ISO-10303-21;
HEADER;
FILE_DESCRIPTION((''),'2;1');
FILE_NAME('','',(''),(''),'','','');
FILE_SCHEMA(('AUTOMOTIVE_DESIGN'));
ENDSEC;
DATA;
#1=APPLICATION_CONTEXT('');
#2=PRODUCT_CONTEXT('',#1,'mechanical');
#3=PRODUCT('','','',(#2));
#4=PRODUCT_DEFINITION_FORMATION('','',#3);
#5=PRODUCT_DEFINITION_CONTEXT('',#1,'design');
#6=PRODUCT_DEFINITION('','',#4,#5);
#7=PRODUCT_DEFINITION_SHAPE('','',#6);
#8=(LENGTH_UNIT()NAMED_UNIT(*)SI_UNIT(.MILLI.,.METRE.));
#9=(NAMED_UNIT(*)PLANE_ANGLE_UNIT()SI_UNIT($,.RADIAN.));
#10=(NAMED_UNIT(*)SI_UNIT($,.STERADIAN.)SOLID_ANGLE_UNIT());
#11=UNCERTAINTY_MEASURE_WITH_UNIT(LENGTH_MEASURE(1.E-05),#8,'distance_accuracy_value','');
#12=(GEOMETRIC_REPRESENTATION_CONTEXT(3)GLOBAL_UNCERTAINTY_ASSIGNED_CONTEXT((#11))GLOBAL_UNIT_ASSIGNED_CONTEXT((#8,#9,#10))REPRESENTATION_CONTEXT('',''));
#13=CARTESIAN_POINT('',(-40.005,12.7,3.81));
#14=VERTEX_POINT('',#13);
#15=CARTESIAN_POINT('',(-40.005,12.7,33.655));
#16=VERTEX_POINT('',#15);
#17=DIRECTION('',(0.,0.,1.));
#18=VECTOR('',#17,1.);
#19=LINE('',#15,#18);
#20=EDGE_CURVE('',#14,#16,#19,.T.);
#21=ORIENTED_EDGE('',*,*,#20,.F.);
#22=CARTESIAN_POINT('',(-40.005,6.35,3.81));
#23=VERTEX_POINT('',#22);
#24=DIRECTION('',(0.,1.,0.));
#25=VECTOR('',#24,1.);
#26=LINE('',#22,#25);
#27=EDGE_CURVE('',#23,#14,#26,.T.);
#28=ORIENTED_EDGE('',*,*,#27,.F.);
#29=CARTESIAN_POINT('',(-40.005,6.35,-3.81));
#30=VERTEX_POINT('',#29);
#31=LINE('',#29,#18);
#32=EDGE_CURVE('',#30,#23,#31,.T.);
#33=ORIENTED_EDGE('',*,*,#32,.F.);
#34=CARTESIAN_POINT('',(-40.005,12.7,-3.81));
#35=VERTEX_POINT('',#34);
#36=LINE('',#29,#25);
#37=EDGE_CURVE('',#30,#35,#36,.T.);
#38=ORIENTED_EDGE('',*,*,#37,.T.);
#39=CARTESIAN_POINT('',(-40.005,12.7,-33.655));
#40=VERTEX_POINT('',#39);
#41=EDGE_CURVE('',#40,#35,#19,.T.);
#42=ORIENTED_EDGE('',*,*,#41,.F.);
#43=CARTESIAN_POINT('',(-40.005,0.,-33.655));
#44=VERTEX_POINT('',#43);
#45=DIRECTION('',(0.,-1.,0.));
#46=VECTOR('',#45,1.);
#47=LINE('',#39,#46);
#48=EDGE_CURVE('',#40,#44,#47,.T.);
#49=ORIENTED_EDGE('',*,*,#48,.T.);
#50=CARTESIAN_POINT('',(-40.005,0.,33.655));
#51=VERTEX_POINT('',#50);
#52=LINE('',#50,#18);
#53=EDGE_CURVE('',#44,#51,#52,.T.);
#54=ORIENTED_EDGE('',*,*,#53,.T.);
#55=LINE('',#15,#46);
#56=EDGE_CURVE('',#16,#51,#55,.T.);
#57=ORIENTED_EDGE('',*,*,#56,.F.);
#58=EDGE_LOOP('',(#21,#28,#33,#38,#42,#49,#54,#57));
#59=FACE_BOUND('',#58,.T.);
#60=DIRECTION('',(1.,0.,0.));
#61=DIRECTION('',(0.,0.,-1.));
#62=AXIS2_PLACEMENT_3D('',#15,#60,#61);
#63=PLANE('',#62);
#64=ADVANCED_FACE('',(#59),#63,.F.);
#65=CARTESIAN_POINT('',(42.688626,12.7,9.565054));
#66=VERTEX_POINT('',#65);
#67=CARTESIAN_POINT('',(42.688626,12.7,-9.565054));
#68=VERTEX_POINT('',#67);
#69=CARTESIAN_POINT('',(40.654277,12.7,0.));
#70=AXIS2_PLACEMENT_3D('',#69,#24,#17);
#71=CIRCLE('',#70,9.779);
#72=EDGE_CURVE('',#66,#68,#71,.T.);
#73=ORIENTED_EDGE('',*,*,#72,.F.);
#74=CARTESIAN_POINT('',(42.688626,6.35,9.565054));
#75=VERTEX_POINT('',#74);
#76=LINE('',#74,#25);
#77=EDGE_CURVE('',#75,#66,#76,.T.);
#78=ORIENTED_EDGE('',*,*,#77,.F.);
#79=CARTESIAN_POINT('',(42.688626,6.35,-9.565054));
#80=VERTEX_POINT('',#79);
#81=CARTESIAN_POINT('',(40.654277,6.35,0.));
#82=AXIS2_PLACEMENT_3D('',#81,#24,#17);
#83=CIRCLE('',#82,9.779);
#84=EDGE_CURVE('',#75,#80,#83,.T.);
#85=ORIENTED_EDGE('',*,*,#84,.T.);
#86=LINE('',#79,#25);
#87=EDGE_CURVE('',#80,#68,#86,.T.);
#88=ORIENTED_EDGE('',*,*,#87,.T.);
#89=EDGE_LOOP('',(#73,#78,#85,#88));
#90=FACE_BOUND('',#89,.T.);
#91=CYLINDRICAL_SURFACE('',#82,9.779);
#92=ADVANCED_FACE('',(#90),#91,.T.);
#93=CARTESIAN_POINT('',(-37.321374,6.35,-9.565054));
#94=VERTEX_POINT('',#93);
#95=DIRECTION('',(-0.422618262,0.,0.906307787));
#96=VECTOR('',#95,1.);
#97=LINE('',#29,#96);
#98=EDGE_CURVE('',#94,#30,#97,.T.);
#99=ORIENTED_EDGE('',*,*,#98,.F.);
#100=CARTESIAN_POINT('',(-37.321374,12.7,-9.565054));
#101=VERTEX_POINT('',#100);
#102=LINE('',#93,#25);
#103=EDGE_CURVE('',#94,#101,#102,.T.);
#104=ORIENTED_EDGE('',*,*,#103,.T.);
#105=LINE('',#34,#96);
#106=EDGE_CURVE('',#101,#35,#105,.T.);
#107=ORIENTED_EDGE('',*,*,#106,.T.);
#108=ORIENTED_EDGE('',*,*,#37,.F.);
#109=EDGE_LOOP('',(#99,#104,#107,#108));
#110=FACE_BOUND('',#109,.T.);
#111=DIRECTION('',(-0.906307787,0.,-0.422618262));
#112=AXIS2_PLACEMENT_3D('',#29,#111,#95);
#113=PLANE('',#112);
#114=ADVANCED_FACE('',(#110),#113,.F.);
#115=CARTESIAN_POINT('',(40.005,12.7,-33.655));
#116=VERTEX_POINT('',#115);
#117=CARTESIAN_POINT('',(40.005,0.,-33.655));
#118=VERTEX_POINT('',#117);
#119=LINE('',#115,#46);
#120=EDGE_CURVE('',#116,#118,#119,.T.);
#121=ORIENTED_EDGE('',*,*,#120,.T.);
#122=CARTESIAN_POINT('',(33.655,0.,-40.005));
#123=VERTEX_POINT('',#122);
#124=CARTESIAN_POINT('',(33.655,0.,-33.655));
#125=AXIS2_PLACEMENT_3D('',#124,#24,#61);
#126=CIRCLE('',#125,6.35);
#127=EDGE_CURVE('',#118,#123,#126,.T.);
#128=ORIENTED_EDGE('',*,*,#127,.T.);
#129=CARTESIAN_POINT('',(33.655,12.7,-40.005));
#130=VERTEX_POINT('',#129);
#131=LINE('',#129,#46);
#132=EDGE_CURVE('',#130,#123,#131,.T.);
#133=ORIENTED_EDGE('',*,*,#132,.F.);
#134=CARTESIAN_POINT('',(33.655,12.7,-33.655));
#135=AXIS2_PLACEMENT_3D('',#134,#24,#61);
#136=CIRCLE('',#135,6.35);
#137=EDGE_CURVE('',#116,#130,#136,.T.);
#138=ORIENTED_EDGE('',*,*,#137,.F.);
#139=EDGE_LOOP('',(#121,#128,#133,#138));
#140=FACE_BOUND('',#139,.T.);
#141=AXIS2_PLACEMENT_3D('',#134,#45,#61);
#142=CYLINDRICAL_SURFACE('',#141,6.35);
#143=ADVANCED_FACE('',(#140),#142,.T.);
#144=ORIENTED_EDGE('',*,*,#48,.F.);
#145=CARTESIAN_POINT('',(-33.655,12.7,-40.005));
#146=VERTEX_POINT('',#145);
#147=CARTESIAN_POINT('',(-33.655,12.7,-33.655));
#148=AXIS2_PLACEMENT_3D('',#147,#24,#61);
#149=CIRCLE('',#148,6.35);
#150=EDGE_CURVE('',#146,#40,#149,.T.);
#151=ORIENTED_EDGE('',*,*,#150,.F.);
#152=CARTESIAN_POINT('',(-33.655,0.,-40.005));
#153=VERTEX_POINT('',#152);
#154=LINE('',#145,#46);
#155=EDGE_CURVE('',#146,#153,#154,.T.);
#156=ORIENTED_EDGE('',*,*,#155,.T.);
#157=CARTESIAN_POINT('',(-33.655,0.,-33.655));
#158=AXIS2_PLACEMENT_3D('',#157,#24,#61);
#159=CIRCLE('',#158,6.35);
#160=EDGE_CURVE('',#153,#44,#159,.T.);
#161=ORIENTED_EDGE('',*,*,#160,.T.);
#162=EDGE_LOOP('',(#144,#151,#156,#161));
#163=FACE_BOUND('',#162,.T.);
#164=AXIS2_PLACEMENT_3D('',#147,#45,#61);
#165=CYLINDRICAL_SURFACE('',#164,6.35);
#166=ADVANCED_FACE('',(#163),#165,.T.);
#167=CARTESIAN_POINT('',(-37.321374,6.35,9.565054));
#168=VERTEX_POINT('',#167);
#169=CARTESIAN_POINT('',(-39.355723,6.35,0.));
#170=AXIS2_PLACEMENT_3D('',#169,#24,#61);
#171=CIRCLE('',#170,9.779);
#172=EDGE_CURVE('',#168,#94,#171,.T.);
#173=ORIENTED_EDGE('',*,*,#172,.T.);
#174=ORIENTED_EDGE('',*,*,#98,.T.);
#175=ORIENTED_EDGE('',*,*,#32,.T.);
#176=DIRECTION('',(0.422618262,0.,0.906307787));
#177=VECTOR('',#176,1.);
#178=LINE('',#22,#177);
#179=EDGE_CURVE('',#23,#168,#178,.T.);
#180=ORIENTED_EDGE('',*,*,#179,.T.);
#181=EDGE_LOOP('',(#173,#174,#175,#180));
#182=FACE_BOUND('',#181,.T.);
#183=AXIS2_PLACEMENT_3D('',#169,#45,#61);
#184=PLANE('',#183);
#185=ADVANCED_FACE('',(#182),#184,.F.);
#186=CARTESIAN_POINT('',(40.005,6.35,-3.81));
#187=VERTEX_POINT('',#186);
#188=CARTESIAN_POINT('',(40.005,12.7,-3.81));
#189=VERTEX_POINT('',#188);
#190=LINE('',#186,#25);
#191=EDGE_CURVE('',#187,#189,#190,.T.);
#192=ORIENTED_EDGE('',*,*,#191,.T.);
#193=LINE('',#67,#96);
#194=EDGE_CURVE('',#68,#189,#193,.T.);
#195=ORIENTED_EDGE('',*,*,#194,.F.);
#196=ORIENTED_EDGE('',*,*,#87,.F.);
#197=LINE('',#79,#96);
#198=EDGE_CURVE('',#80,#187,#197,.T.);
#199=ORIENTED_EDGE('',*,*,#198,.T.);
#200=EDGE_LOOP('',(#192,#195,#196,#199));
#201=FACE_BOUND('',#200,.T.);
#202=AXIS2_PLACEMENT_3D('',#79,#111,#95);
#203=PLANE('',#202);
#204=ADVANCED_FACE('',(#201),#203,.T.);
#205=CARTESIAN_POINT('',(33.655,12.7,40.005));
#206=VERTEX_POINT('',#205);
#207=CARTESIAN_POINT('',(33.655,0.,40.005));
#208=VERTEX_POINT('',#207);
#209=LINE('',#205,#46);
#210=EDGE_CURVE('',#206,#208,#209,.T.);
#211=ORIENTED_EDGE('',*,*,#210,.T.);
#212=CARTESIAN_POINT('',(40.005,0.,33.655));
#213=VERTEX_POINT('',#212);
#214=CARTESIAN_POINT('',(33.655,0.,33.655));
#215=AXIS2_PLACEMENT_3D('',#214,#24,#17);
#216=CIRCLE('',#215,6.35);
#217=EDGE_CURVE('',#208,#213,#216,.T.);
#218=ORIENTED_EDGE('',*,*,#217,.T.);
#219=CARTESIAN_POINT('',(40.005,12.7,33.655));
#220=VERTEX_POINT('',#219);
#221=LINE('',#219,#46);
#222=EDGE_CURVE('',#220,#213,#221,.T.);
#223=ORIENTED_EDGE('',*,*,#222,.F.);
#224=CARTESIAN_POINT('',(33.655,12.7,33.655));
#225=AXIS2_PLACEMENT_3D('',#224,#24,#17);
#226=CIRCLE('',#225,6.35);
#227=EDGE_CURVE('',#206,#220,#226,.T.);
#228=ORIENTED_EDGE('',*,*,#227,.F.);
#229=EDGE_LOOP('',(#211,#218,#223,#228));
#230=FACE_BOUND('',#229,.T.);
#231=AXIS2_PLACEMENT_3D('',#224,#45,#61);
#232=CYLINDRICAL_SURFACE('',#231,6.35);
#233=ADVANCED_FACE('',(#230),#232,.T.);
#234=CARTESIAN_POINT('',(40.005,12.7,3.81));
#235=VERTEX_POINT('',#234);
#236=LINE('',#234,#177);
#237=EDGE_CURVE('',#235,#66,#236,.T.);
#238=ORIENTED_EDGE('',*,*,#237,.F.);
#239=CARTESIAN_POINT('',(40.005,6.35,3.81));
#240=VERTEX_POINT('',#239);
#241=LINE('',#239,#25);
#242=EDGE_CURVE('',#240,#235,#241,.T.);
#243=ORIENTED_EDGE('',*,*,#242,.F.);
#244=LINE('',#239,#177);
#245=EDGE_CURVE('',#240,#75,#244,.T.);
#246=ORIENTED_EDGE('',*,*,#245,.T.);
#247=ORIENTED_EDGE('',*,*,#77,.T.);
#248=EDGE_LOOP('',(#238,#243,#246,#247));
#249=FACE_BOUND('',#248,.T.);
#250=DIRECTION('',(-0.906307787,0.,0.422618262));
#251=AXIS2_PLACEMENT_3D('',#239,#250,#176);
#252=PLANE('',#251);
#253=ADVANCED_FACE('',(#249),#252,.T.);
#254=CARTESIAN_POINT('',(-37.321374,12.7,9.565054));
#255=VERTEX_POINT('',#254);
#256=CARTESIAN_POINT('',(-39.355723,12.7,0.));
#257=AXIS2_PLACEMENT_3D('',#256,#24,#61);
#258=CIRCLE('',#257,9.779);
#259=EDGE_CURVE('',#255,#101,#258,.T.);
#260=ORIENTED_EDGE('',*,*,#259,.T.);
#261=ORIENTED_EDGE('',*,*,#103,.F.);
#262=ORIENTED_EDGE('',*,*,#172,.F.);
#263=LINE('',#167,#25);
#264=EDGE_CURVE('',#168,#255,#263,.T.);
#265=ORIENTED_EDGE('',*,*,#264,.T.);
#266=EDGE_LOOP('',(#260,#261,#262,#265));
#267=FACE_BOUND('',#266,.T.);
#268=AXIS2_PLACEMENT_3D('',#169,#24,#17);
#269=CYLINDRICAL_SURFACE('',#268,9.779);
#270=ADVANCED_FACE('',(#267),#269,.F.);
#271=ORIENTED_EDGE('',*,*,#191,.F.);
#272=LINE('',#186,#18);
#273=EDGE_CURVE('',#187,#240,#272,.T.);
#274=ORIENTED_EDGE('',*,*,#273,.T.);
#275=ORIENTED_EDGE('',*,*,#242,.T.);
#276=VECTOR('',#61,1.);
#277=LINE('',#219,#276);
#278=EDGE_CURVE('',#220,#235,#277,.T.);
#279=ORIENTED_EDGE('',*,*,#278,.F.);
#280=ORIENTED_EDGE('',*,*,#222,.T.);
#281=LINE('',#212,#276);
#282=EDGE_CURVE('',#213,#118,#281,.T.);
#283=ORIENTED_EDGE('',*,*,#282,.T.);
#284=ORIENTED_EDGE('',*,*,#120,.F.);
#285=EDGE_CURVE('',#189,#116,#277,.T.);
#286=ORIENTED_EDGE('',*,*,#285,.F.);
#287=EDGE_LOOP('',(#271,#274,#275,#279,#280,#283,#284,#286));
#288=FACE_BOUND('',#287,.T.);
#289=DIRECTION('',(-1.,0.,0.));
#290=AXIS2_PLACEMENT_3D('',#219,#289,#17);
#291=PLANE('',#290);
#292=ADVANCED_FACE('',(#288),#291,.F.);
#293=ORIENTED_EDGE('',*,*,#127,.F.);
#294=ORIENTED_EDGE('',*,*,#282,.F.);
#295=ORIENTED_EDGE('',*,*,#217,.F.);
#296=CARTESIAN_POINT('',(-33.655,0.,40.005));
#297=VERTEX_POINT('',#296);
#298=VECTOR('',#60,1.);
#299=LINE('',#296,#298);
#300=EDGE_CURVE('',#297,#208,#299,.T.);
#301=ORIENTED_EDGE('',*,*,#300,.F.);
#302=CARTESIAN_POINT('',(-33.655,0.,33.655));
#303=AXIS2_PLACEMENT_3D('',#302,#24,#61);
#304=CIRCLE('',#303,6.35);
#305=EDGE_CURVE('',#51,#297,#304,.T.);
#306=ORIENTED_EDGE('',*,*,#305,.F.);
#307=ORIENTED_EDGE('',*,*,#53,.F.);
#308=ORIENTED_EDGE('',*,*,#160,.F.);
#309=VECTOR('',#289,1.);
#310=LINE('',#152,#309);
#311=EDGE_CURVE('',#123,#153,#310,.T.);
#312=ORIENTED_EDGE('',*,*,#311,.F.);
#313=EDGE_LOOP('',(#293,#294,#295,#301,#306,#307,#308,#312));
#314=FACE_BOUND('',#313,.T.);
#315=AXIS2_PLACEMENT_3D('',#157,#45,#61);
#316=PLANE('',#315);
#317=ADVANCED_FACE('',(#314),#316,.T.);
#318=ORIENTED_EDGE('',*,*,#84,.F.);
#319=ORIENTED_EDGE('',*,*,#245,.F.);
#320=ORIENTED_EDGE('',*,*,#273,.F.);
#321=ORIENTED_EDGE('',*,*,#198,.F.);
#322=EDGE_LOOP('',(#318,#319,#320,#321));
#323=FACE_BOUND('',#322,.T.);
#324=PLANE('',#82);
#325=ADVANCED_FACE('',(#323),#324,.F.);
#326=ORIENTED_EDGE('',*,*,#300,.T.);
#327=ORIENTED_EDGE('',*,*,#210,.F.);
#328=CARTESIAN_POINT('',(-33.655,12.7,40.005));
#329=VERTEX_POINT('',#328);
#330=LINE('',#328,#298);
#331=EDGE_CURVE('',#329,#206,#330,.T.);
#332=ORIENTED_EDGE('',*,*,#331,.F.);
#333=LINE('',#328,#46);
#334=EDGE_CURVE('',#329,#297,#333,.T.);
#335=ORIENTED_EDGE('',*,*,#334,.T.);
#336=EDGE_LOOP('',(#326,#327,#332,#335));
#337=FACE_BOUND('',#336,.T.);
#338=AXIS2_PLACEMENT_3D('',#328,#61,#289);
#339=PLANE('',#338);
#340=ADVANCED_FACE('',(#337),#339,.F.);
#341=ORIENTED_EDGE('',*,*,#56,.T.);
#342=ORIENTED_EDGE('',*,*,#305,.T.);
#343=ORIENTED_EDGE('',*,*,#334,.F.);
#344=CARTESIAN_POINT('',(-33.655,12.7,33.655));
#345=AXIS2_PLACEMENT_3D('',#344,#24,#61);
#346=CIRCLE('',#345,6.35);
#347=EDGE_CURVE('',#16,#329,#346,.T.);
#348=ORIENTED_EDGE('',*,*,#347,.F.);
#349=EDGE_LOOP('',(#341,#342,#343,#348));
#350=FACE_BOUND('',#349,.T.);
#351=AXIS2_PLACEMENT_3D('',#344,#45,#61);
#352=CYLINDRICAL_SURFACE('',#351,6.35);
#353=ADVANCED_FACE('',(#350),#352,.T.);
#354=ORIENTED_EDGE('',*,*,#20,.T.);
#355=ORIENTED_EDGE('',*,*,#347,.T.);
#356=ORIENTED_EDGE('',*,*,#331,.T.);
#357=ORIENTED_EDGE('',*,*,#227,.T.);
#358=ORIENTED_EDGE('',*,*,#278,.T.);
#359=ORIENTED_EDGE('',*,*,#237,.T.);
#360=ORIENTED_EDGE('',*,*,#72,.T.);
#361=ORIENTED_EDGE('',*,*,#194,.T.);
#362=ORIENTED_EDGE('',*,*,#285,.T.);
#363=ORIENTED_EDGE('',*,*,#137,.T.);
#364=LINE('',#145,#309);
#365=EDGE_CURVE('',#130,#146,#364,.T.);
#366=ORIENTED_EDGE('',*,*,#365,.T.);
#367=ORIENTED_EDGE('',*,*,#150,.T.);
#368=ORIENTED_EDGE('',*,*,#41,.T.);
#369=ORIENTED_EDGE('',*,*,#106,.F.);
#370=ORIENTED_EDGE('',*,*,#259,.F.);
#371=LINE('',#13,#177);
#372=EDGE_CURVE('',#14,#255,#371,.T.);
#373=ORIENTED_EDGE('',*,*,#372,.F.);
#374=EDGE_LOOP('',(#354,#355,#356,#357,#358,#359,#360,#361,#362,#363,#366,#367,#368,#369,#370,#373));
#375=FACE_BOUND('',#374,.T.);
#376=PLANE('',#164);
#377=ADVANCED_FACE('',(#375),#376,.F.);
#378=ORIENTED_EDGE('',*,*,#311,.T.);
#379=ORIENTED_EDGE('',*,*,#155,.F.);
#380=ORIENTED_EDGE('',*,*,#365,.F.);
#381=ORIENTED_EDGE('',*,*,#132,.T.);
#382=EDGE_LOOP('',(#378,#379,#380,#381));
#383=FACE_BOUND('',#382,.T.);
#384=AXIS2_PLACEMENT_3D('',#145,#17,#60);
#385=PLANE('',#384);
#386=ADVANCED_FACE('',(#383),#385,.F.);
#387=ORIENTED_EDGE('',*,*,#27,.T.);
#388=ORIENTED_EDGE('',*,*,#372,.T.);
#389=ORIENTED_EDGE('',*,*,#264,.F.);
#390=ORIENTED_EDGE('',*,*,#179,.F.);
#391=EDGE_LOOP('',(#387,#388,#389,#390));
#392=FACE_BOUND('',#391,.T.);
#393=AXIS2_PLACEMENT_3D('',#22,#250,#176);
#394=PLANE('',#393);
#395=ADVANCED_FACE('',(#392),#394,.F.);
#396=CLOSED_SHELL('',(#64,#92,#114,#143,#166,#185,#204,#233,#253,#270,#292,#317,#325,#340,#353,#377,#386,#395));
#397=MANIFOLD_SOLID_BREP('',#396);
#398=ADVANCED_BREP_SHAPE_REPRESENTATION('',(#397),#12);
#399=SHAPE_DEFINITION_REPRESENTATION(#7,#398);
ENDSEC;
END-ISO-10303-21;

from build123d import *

# Parameters (mm, degrees)
BOSS_EXTRUDE1_DEPTH = 12.7
CUT_EXTRUDE1_DEPTH  = 6.35
BOSS_EXTRUDE2_DEPTH = 6.35


with BuildPart() as part:
    # Sketch1 → Boss-Extrude1 (new body)
    with BuildSketch(Plane(origin=(0, 0, 0), x_dir=(1, 0, 0), z_dir=(0, 1, 0))):
        with BuildLine():
            Line((-33.655, -40.005), (33.655, -40.005))
            ThreePointArc((33.655, -40.005), (38.145128061, -38.145128061), (40.005, -33.655))
            Line((40.005, -33.655), (40.005, 33.655))
            ThreePointArc((40.005, 33.655), (38.145128061, 38.145128061), (33.655, 40.005))
            Line((33.655, 40.005), (-33.655, 40.005))
            ThreePointArc((-33.655, 40.005), (-38.145128061, 38.145128061), (-40.005, 33.655))
            Line((-40.005, 33.655), (-40.005, -33.655))
            ThreePointArc((-40.005, -33.655), (-38.145128061, -38.145128061), (-33.655, -40.005))
        make_face()
    extrude(amount=BOSS_EXTRUDE1_DEPTH)

    # Sketch2 → Cut-Extrude1 (cut)
    with BuildSketch(Plane(origin=(0, 12.7, 0), x_dir=(1, 0, 0), z_dir=(0, 1, 0))):
        with BuildLine():
            Line((-40.005, 3.81), (-37.321374038, 9.565054448))
            ThreePointArc((-37.321374038, 9.565054448), (-29.576722684, 0), (-37.321374038, -9.565054448))
            Line((-37.321374038, -9.565054448), (-40.005, -3.81))
            Line((-40.005, -3.81), (-40.005, 3.81))
        make_face()
    extrude(amount=-CUT_EXTRUDE1_DEPTH, mode=Mode.SUBTRACT)

    # Sketch4 → Boss-Extrude2 (add)
    with BuildSketch(Plane(origin=(0, 12.7, 0), x_dir=(1, 0, 0), z_dir=(0, 1, 0))):
        with BuildLine():
            Line((42.688625962, 9.565054448), (40.005, 3.81))
            Line((40.005, 3.81), (40.005, -3.81))
            Line((40.005, -3.81), (42.688625962, -9.565054448))
            ThreePointArc((42.688625962, -9.565054448), (50.433277316, 0), (42.688625962, 9.565054448))
        make_face()
    extrude(amount=-BOSS_EXTRUDE2_DEPTH)


solid = part.part
